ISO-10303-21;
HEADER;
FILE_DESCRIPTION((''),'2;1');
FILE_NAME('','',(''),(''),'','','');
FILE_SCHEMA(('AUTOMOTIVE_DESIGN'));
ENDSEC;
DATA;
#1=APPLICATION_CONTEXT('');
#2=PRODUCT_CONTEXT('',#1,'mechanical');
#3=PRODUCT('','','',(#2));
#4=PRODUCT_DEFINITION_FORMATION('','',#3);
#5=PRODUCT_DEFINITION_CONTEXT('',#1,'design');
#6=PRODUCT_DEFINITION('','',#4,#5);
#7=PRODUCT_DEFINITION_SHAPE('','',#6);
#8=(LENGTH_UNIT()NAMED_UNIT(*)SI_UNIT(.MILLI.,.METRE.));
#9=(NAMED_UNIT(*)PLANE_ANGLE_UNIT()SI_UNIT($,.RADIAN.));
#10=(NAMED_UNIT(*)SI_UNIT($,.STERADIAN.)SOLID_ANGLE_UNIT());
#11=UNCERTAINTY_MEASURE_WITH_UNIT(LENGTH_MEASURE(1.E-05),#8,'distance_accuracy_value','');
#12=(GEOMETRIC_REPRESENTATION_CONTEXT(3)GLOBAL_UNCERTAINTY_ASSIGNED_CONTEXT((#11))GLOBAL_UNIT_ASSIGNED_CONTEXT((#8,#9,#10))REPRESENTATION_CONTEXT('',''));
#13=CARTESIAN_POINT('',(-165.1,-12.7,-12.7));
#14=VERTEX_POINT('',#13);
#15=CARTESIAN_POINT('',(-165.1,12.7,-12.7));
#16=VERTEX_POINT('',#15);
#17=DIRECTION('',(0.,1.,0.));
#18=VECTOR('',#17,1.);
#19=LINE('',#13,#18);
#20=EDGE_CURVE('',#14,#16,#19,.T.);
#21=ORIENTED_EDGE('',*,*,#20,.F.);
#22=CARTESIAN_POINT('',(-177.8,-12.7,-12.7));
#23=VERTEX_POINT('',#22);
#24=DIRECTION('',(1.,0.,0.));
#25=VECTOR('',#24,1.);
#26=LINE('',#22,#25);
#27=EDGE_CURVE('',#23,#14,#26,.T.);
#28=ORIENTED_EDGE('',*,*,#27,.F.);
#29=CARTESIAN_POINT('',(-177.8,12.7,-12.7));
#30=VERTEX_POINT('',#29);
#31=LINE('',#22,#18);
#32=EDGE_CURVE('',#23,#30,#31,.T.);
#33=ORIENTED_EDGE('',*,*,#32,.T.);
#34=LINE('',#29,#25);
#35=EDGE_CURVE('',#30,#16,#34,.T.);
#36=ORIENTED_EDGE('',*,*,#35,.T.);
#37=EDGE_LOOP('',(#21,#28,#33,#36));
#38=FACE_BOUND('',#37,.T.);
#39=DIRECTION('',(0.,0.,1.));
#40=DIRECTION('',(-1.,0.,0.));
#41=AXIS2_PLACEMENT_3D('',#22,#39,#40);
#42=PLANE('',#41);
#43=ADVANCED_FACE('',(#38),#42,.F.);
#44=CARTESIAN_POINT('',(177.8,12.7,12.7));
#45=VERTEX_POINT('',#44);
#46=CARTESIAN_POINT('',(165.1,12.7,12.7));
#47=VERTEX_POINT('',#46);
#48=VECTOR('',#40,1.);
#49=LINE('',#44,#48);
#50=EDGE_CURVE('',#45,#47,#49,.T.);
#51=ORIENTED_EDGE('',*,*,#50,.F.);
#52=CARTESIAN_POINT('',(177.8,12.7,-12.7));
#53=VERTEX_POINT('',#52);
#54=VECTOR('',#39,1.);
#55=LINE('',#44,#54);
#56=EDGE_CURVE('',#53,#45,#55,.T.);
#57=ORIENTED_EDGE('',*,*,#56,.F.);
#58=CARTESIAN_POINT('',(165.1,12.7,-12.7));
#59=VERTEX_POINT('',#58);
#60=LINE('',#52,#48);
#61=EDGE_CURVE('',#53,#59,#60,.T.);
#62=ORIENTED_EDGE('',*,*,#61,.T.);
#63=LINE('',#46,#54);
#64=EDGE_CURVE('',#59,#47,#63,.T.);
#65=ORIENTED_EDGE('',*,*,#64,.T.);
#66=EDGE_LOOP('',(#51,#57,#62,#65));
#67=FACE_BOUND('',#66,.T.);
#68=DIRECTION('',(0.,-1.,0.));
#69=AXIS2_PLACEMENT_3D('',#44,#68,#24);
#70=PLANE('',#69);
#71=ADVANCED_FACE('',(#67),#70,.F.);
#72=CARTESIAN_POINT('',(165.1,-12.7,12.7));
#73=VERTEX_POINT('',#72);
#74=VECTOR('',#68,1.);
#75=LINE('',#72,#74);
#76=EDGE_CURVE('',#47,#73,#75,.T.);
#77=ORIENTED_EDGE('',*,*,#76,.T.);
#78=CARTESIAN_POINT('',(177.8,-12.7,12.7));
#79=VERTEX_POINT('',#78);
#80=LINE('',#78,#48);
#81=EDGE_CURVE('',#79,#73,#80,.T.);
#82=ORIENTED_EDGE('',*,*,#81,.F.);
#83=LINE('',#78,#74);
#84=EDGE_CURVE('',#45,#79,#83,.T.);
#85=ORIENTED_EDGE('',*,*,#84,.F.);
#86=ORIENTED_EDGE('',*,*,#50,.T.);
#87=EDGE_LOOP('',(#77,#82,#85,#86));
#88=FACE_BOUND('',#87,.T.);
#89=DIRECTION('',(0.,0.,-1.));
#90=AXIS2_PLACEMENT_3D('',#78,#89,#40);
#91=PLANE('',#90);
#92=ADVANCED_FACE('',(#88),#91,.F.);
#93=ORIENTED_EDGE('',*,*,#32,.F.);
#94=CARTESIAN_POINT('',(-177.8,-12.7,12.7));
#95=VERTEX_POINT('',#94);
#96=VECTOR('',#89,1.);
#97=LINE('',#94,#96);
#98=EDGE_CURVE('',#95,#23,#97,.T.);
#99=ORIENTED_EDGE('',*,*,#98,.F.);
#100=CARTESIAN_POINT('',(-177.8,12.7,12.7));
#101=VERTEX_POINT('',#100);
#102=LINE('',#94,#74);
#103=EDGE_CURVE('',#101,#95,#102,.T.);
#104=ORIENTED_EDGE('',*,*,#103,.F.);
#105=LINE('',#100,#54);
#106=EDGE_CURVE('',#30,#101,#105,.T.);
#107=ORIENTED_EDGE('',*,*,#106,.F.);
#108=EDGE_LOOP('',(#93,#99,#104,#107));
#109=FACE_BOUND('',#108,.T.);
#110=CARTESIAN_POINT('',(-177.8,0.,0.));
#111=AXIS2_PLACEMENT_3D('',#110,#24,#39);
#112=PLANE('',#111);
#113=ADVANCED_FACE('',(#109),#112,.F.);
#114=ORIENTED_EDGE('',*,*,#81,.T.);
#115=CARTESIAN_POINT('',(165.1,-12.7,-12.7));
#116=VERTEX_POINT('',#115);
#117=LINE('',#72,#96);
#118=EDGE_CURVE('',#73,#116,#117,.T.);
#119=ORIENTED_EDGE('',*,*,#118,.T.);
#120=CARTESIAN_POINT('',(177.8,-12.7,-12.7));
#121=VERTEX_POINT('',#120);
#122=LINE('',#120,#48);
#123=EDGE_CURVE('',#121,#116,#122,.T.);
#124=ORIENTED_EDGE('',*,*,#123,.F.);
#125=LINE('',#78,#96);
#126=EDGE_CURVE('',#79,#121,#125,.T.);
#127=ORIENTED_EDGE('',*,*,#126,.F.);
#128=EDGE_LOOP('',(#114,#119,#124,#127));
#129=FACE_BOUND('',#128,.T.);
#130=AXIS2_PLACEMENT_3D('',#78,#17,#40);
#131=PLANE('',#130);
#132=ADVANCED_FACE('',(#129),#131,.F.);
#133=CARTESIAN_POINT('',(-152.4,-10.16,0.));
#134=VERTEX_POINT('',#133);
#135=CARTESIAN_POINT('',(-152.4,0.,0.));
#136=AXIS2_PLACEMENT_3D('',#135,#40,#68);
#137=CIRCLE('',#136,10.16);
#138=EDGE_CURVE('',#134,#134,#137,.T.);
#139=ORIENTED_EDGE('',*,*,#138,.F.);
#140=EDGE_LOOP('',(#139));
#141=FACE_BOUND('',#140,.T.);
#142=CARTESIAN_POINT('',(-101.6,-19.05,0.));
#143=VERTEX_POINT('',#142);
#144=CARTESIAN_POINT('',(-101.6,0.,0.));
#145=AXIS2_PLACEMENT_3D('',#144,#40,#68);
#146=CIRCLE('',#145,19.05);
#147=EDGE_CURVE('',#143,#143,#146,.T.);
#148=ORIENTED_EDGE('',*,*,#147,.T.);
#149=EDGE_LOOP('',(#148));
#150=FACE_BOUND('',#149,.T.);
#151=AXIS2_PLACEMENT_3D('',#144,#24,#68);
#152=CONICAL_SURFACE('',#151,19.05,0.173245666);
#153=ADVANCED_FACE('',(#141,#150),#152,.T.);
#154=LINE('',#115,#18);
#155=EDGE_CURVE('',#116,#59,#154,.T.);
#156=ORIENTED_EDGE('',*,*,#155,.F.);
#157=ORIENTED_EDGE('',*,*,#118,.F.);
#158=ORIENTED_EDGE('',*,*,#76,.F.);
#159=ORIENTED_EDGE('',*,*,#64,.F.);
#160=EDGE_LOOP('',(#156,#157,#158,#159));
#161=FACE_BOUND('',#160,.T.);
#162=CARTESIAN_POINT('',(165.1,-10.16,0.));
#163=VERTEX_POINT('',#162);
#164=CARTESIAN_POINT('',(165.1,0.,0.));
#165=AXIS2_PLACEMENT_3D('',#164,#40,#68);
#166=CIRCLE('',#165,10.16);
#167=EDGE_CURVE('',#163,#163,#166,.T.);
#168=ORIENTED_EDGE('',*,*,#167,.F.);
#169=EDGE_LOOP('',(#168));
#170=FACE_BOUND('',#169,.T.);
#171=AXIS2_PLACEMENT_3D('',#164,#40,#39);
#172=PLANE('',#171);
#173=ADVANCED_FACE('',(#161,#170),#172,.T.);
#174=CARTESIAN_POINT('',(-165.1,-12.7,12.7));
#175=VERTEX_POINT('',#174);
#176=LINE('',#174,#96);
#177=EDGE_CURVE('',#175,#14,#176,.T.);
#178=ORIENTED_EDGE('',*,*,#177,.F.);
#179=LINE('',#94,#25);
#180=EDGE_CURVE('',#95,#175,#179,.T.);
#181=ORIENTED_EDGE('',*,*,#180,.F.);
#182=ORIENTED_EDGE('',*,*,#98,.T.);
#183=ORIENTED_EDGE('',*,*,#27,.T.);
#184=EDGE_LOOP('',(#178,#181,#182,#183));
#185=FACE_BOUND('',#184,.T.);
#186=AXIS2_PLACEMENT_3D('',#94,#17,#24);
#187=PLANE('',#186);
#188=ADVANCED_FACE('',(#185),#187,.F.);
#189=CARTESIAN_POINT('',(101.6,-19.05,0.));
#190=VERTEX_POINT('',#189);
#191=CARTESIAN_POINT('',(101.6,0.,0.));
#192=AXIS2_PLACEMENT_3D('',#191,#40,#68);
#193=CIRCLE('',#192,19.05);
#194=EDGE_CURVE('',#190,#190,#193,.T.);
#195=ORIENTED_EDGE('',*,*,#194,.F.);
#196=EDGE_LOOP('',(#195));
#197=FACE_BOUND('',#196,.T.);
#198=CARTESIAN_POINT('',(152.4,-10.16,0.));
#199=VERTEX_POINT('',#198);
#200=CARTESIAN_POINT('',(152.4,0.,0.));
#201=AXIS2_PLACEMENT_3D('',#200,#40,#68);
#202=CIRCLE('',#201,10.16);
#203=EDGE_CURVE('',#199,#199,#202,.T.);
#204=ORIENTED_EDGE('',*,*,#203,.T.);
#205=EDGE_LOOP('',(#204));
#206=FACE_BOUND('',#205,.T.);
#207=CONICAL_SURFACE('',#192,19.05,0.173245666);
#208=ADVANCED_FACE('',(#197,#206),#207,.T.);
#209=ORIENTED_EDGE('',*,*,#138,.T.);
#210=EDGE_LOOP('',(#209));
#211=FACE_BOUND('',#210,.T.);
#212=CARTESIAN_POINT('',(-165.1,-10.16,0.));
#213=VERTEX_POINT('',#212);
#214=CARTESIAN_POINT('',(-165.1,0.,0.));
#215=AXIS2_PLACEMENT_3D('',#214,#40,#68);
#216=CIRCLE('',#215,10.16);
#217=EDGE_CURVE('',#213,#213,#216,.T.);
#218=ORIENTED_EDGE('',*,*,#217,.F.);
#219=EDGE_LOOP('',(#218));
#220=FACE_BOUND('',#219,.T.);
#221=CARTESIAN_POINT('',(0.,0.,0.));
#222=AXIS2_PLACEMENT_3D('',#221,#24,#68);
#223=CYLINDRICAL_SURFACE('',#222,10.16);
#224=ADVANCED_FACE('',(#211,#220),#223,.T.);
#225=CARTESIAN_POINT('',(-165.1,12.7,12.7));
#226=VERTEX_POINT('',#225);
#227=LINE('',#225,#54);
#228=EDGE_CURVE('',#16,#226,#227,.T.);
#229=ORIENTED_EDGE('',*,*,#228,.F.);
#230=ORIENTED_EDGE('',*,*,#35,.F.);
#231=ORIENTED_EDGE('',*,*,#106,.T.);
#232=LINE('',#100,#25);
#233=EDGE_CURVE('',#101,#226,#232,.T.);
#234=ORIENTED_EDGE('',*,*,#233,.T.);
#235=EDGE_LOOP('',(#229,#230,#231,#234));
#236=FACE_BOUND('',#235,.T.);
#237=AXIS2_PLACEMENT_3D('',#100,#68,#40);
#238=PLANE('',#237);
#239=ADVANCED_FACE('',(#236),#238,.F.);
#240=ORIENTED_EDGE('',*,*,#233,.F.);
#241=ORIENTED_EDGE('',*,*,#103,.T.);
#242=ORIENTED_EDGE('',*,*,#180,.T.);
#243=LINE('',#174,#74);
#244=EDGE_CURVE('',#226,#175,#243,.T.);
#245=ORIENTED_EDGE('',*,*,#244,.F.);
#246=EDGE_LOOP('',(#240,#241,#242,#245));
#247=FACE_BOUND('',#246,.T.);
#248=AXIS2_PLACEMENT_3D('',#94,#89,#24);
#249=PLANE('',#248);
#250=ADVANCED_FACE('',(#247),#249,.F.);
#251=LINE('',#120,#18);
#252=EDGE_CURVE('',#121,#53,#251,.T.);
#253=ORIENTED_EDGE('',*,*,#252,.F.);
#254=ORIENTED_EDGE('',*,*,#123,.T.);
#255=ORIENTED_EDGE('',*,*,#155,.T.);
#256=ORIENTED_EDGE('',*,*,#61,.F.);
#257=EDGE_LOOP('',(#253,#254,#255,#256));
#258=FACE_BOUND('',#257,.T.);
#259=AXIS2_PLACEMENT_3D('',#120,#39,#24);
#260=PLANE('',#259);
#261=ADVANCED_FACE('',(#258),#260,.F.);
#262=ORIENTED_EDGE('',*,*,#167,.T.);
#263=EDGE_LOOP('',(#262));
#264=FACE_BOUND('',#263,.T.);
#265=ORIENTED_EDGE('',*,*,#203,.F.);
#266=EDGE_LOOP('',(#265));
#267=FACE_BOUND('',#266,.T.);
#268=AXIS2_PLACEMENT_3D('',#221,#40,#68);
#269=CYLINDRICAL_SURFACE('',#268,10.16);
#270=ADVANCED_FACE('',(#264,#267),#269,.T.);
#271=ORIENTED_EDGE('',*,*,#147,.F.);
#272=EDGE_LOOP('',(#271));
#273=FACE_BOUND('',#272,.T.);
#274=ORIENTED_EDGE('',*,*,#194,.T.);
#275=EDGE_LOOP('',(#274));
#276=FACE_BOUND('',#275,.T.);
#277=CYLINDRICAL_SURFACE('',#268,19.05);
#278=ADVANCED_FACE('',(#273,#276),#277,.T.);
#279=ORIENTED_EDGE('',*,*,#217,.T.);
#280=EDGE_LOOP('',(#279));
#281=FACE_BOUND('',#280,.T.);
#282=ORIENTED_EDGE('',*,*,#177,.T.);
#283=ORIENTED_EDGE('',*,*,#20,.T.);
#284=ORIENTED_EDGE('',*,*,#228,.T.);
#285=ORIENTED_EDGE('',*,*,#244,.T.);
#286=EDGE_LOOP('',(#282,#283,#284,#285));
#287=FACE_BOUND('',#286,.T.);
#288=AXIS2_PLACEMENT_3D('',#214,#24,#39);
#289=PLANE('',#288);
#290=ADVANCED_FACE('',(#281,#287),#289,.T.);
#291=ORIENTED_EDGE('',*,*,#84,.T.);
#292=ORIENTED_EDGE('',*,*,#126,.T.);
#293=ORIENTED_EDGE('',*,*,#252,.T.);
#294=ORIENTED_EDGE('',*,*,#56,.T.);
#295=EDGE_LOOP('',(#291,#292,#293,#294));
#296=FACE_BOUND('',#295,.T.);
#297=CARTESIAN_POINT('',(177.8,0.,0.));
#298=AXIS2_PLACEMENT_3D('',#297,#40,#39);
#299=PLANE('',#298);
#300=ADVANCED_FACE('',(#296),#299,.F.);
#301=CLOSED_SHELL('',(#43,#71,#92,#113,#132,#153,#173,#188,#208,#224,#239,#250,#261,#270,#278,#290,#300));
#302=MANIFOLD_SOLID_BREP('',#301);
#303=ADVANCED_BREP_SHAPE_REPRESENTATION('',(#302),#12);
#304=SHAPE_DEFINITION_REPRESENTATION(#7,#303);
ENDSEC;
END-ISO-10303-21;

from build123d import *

# Parameters (mm, degrees)
SKETCH1_W           = 12.7
SKETCH1_H           = 10.16
SKETCH3_W           = 25.4
SKETCH3_H           = 25.4
BOSS_EXTRUDE2_DEPTH = 12.7


with BuildPart() as part:
    # Sketch1 → Revolve3 (revolve)
    with BuildSketch(Plane.XY, mode=Mode.PRIVATE) as revolve3_sk:
        Polygon((101.6, 19.05), (0, 19.05), (0, 0), (152.4, 0), (152.4, 10.16), align=None)
        with Locations((158.75, 5.08)):
            Rectangle(SKETCH1_W, SKETCH1_H)
    revolve(revolve3_sk.sketch.rotate(Axis((0, 0, 0), (1, 0, 0)), 180), axis=Axis((0, 0, 0), (1, 0, 0)))

    # Sketch3 → Boss-Extrude2 (add)
    with BuildSketch(Plane(origin=(165.1, 0, 0), x_dir=(0, 0, -1), z_dir=(1, 0, 0))):
        Rectangle(SKETCH3_W, SKETCH3_H)
    extrude(amount=BOSS_EXTRUDE2_DEPTH)

    # Mirror1: part across plane


with BuildPart() as part_1:
    add(part.part)
    add(part.part.mirror(Plane(origin=(0, 0, 0), x_dir=(0, 0, 1), z_dir=(1, 0, 0))))


solid = part_1.part
